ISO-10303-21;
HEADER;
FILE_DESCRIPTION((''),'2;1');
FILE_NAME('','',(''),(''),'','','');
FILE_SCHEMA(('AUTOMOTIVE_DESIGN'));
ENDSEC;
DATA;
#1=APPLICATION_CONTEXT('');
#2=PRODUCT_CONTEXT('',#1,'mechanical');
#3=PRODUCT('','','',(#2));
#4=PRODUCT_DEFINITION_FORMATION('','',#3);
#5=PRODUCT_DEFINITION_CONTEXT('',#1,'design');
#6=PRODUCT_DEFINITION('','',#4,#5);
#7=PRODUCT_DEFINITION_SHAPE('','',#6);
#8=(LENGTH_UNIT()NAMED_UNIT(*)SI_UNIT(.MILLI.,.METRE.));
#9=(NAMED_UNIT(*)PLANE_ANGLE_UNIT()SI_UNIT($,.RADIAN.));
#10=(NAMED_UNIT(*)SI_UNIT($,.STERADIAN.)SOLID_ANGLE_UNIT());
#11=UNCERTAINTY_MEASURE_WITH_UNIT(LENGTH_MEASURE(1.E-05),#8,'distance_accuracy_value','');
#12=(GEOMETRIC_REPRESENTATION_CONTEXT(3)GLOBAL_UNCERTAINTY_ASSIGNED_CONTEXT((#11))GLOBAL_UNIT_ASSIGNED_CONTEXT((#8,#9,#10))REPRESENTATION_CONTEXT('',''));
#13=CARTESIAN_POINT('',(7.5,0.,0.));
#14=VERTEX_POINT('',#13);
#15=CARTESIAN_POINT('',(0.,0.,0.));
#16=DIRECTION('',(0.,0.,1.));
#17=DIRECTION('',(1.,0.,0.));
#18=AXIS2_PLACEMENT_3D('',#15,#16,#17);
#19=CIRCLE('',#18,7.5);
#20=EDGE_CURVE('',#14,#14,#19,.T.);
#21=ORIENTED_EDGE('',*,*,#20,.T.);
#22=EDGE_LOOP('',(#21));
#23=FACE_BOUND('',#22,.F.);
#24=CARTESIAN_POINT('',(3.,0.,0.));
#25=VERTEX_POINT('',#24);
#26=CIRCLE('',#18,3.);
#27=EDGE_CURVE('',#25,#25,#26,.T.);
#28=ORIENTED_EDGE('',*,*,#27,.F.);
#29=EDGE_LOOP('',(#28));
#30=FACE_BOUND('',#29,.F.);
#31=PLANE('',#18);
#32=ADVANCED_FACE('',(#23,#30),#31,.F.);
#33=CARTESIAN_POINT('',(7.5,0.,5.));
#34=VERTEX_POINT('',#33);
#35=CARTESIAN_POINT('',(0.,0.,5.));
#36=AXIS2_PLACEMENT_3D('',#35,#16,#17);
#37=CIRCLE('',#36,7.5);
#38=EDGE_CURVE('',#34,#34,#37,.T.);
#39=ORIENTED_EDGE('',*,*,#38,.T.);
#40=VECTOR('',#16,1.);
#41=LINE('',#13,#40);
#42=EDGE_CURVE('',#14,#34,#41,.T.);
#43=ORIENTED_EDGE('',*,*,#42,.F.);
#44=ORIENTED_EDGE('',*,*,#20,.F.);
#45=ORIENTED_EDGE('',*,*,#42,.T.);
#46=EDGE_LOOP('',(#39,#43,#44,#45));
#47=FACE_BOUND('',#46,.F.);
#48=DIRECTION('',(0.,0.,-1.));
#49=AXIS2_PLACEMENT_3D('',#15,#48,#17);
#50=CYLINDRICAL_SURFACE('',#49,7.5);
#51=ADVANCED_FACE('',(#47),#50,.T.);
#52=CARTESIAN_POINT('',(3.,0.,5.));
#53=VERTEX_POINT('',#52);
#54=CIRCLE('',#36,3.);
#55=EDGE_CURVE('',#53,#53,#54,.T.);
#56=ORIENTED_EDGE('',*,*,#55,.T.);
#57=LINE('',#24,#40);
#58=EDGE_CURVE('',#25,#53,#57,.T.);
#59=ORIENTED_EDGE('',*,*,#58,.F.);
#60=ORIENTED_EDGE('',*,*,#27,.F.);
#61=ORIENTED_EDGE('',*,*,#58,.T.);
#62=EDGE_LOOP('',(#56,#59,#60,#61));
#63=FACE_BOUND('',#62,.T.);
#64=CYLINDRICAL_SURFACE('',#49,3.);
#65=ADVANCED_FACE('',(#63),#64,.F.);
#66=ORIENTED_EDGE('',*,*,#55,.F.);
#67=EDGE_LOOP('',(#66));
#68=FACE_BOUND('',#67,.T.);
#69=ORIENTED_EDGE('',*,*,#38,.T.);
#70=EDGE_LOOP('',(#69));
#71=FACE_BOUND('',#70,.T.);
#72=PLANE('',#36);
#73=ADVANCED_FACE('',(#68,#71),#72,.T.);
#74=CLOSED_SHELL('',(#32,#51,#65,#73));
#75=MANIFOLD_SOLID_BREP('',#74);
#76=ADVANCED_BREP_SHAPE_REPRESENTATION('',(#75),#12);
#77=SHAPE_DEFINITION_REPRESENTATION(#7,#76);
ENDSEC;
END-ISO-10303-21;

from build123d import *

# Parameters (mm, degrees)
SKETCH_R   = 7.5
SKETCH_R_2 = 3
PAD_DEPTH  = 5


with BuildPart() as part:
    # Sketch → Pad (new body)
    with BuildSketch(Plane.XY):
        Circle(SKETCH_R)
        Circle(SKETCH_R_2, mode=Mode.SUBTRACT)
    extrude(amount=PAD_DEPTH)


solid = part.part
